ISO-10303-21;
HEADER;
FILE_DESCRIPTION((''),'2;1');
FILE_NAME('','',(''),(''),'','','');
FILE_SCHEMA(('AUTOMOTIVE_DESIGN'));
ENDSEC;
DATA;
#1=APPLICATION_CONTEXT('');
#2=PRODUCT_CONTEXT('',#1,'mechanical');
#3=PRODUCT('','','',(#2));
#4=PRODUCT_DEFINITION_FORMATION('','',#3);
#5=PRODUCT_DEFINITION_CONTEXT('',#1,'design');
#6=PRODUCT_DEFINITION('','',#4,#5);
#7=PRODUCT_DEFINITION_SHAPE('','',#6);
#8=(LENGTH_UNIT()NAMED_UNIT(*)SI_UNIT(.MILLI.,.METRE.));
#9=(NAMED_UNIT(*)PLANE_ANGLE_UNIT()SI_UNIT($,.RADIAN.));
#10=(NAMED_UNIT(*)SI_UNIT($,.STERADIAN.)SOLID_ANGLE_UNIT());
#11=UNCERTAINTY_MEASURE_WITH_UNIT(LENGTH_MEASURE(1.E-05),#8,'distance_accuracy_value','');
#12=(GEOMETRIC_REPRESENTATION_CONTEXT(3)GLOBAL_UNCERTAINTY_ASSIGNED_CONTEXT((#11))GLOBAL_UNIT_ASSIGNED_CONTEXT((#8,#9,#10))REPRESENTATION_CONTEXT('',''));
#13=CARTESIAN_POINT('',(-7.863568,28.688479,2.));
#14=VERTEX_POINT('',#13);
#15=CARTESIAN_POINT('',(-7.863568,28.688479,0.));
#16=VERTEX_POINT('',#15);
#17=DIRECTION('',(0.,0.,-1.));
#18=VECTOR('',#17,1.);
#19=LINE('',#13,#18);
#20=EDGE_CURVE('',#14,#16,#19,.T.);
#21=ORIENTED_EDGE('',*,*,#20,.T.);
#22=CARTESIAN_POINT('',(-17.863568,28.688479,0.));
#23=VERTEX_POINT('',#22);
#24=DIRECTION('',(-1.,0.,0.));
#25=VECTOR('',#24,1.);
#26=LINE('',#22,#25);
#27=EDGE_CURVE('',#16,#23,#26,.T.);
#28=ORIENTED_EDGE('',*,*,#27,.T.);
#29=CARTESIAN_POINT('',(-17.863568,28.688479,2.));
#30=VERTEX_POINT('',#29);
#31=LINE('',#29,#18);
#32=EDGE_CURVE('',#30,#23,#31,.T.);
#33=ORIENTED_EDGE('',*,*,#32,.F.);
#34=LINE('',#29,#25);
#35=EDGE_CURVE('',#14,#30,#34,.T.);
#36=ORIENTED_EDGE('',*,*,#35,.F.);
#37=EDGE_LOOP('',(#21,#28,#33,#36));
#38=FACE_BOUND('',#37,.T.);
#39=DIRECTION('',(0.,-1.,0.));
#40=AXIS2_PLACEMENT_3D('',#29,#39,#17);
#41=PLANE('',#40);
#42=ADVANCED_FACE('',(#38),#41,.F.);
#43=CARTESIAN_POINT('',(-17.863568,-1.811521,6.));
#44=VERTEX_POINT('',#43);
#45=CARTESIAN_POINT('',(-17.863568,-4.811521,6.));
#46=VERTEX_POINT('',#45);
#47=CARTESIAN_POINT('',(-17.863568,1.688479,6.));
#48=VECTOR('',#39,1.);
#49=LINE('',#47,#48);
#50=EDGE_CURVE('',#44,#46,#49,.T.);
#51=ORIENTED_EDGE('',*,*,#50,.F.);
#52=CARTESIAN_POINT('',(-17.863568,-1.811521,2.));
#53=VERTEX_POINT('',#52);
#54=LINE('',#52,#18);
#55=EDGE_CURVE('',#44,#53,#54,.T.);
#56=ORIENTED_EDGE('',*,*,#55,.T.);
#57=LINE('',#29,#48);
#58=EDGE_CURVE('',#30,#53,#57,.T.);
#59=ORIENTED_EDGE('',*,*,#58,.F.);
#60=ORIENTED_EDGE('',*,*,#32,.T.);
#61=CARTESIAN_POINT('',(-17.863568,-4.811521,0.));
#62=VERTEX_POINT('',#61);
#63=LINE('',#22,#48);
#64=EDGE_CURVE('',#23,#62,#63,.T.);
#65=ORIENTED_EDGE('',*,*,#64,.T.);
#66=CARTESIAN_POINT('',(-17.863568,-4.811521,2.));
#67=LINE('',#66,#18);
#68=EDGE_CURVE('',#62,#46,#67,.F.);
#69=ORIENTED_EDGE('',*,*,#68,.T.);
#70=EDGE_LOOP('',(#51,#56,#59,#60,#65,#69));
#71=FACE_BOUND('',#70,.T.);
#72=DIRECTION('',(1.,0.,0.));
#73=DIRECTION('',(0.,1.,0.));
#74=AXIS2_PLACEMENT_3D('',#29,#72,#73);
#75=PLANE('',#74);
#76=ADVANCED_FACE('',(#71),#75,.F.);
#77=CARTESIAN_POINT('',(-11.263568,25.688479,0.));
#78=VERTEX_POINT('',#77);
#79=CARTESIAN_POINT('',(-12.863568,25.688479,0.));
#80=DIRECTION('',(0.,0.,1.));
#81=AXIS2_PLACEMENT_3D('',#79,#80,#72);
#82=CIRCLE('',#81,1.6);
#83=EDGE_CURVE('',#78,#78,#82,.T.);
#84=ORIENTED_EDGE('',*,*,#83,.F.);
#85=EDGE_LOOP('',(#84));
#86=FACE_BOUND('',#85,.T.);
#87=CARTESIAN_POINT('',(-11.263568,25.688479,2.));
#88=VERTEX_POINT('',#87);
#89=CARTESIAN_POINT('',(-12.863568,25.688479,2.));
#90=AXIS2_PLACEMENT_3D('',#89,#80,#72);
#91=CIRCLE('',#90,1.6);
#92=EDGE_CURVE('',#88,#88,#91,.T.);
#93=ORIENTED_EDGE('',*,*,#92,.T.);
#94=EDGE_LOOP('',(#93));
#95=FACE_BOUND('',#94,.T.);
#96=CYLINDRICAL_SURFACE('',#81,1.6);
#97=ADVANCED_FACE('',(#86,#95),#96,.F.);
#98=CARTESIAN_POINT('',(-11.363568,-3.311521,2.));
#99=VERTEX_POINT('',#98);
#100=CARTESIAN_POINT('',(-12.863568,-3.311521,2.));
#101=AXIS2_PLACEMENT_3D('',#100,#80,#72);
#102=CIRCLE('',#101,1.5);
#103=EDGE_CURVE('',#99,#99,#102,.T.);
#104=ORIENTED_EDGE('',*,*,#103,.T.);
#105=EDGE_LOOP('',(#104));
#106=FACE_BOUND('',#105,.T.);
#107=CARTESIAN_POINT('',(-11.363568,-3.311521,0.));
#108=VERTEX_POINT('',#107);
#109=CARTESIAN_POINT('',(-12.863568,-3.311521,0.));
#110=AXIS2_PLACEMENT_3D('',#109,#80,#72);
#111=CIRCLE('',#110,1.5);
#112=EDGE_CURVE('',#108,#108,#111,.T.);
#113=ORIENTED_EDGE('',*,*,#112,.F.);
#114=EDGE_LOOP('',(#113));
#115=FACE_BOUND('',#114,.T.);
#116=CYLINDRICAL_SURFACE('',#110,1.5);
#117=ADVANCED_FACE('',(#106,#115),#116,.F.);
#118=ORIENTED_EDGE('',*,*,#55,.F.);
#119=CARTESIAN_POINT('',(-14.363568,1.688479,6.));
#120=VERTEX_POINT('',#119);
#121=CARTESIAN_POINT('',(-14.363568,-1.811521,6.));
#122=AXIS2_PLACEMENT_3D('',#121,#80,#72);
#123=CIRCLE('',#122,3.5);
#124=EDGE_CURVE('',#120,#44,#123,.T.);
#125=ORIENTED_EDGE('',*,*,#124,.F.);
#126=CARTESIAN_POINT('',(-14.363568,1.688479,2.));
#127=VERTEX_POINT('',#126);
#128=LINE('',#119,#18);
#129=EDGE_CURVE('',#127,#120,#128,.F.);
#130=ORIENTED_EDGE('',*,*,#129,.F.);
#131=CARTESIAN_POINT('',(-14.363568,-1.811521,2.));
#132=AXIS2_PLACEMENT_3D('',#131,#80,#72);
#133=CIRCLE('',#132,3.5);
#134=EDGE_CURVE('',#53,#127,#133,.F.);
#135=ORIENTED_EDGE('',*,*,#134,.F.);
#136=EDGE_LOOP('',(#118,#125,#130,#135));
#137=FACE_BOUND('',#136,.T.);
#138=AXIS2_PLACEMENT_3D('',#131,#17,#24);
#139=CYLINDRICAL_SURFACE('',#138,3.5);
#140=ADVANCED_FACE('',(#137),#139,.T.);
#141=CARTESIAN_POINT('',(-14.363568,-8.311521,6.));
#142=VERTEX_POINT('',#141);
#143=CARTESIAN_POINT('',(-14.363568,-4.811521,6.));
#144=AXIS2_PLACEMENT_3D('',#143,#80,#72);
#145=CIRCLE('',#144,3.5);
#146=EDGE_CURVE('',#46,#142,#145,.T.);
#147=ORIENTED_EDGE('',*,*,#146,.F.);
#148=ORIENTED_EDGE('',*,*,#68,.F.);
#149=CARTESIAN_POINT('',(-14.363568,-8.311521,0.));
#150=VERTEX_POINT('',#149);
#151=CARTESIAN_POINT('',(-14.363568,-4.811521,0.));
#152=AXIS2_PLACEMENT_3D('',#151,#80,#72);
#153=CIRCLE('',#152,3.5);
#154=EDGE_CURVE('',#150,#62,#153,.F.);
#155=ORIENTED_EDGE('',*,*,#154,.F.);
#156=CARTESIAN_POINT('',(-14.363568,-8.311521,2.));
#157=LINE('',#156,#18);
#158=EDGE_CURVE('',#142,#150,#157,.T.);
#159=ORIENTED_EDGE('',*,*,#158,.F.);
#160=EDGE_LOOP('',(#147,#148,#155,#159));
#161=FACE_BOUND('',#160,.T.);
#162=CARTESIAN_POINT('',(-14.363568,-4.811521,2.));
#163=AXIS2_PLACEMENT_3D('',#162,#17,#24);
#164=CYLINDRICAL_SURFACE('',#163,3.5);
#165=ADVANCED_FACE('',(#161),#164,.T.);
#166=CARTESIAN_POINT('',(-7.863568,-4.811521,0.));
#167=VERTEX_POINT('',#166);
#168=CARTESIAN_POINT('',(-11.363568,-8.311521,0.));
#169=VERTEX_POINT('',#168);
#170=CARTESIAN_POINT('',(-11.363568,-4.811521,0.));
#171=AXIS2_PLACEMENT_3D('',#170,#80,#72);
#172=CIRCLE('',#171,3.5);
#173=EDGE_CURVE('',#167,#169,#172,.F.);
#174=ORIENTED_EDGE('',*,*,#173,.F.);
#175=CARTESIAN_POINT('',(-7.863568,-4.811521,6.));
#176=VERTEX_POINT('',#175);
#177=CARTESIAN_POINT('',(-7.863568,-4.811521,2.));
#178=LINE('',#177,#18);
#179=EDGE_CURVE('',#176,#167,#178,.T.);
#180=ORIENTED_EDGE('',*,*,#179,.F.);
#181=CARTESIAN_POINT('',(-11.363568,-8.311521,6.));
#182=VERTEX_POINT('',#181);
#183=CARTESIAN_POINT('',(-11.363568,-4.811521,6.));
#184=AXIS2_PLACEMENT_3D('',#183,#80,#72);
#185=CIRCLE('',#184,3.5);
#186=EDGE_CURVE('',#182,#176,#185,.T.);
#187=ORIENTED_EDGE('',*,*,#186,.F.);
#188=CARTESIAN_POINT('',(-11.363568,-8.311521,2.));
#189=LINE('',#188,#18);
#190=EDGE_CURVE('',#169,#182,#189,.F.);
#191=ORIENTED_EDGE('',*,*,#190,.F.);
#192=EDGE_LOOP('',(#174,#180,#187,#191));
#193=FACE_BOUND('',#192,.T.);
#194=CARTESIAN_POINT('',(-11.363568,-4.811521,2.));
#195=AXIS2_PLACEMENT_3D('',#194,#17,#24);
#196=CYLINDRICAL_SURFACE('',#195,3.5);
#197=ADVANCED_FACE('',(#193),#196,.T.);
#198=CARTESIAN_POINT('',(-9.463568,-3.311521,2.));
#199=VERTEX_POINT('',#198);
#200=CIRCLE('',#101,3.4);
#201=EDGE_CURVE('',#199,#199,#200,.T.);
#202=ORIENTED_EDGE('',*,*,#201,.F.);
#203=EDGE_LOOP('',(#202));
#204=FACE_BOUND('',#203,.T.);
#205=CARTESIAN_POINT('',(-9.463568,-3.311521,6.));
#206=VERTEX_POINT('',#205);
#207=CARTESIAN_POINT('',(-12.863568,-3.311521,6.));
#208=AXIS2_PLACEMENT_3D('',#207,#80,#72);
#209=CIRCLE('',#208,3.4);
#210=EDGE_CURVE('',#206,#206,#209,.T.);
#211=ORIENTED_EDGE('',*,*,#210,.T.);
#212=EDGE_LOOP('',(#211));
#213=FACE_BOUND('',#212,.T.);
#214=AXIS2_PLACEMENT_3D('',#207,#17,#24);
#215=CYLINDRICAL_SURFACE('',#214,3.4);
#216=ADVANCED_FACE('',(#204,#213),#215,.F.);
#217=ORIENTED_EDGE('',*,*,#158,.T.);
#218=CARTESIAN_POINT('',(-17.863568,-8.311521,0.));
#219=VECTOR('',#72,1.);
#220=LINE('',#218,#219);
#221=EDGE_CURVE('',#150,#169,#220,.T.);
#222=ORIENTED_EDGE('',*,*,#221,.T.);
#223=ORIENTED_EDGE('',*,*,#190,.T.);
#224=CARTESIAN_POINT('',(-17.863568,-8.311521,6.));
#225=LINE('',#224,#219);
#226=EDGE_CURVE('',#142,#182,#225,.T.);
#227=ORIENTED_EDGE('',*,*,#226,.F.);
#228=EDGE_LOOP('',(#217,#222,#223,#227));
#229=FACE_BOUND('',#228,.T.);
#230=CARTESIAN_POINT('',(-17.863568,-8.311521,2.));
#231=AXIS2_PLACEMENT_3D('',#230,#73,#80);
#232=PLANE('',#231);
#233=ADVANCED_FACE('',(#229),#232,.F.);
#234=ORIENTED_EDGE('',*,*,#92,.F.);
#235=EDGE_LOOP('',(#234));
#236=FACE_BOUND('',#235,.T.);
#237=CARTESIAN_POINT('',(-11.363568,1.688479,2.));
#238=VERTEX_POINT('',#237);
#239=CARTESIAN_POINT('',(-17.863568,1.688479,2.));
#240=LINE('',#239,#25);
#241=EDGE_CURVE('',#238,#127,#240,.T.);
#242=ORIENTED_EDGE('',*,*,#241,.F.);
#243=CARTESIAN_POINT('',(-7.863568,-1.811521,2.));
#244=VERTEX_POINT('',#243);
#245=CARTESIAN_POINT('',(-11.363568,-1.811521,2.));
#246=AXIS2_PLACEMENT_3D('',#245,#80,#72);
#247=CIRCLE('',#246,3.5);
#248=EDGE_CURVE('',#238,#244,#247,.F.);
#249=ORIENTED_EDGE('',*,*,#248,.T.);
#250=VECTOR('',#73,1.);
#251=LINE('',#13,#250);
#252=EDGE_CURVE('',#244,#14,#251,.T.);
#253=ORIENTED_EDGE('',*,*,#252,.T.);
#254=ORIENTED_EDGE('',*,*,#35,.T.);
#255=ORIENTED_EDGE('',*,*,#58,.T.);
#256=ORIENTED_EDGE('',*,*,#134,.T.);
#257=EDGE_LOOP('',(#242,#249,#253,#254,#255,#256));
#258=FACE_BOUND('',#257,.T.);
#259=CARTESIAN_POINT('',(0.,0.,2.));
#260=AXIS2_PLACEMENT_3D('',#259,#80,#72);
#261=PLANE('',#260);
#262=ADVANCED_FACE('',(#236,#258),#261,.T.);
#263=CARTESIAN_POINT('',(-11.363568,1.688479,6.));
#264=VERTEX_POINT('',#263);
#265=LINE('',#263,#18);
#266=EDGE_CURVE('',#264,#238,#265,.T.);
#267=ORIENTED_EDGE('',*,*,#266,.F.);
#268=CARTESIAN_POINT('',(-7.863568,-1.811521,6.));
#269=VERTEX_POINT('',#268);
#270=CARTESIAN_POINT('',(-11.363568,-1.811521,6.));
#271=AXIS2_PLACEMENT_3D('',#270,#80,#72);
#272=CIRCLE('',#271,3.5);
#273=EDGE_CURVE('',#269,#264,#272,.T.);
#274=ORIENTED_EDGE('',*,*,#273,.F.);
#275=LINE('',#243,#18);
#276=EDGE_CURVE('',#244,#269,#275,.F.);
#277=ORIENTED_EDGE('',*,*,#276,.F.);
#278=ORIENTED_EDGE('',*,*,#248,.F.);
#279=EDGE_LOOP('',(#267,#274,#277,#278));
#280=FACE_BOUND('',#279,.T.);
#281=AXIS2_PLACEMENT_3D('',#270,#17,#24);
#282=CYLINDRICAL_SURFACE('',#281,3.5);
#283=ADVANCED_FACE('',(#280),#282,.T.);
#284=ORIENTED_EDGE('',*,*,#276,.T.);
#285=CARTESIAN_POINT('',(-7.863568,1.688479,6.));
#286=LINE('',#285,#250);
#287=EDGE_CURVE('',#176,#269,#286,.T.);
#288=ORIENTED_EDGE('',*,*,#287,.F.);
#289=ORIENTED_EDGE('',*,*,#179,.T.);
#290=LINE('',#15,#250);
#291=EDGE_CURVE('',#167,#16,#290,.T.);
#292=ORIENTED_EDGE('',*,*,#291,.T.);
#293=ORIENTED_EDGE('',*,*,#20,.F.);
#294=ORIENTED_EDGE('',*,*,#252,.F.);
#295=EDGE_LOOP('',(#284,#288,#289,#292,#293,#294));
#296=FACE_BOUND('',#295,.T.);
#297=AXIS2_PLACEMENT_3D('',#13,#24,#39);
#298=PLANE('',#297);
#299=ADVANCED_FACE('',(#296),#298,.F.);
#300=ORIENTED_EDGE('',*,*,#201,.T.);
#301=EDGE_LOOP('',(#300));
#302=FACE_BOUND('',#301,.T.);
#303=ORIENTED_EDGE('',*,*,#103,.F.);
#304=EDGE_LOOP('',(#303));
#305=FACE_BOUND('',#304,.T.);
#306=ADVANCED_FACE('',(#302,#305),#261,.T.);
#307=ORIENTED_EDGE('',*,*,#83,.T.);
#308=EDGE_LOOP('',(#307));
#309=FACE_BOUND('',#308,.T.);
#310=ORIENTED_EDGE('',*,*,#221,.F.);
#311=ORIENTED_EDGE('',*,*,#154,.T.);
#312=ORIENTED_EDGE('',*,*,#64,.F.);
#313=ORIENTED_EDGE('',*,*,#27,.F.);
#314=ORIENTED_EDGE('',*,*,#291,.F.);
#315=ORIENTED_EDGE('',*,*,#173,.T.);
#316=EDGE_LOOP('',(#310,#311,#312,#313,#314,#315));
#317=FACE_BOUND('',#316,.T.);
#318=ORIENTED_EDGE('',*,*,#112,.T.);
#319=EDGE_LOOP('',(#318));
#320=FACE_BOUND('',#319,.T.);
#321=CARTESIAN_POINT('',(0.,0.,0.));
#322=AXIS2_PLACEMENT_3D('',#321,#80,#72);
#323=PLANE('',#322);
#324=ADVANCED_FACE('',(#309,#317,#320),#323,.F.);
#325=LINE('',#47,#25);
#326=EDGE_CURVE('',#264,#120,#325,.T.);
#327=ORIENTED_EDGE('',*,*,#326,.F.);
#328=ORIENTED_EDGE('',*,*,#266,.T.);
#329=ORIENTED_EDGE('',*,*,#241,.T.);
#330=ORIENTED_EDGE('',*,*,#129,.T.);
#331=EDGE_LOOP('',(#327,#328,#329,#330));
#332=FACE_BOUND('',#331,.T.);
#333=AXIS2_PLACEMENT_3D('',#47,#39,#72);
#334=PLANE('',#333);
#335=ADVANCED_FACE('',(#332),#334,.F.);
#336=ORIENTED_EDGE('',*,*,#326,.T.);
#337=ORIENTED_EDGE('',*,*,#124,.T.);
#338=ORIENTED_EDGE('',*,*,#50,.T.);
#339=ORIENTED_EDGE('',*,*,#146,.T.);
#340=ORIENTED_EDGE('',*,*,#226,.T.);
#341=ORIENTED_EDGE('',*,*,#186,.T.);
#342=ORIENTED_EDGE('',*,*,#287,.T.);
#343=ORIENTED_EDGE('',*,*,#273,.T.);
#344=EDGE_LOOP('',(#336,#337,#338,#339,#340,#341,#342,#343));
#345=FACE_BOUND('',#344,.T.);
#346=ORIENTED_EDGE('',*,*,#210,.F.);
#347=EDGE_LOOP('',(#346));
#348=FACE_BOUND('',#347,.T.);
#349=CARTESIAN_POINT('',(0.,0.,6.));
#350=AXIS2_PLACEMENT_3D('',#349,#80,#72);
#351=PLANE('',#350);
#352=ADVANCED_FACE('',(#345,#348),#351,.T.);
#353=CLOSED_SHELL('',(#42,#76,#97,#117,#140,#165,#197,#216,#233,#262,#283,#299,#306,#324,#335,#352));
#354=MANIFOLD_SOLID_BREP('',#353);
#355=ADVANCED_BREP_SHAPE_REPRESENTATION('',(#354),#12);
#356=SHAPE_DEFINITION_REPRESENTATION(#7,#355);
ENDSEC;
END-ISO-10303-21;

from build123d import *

# Parameters (mm, degrees)
SKETCH1_W           = 10
SKETCH1_H           = 37
BOSS_EXTRUDE1_DEPTH = 2
SKETCH2_W           = 10
SKETCH2_H           = 10
SKETCH2_R           = 3.4
BOSS_EXTRUDE2_DEPTH = 4
SKETCH3_R           = 1.6
CUT_EXTRUDE1_DEPTH  = 2
FILLET1_R           = 3.5
SKETCH4_R           = 1.5
CUT_EXTRUDE2_DEPTH  = 2


with BuildPart() as part:
    # Sketch1 → Boss-Extrude1 (new body)
    with BuildSketch(Plane.XY):
        with Locations((-12.863567867, 10.18847884)):
            Rectangle(SKETCH1_W, SKETCH1_H)
    extrude(amount=BOSS_EXTRUDE1_DEPTH)

    # Sketch2 → Boss-Extrude2 (add)
    with BuildSketch(Plane.XY.offset(2)):
        with Locations((-12.863567867, -3.31152116)):
            Rectangle(SKETCH2_W, SKETCH2_H)
        with Locations((-12.863567867, -3.31152116)):
            Circle(SKETCH2_R, mode=Mode.SUBTRACT)
    extrude(amount=BOSS_EXTRUDE2_DEPTH)

    # Sketch3 → Cut-Extrude1 (cut)
    with BuildSketch(Plane.XY.offset(2)):
        with Locations((-12.863567867, 25.68847884)):
            Circle(SKETCH3_R)
    extrude(amount=-CUT_EXTRUDE1_DEPTH, mode=Mode.SUBTRACT)

    # Fillet1
    fillet1_edges = [part.edges().sort_by_distance(p)[0] for p in [
        (-7.863567867, -8.31152116, 3),
        (-17.863567867, -8.31152116, 3),
        (-17.863567867, 1.68847884, 4),
        (-7.863567867, 1.68847884, 4),
    ]]
    fillet(fillet1_edges, radius=FILLET1_R)

    # Sketch4 → Cut-Extrude2 (cut)
    with BuildSketch(Plane.XY.offset(2)):
        with Locations((-12.863567867, -3.31152116)):
            Circle(SKETCH4_R)
    extrude(amount=-CUT_EXTRUDE2_DEPTH, mode=Mode.SUBTRACT)


solid = part.part
